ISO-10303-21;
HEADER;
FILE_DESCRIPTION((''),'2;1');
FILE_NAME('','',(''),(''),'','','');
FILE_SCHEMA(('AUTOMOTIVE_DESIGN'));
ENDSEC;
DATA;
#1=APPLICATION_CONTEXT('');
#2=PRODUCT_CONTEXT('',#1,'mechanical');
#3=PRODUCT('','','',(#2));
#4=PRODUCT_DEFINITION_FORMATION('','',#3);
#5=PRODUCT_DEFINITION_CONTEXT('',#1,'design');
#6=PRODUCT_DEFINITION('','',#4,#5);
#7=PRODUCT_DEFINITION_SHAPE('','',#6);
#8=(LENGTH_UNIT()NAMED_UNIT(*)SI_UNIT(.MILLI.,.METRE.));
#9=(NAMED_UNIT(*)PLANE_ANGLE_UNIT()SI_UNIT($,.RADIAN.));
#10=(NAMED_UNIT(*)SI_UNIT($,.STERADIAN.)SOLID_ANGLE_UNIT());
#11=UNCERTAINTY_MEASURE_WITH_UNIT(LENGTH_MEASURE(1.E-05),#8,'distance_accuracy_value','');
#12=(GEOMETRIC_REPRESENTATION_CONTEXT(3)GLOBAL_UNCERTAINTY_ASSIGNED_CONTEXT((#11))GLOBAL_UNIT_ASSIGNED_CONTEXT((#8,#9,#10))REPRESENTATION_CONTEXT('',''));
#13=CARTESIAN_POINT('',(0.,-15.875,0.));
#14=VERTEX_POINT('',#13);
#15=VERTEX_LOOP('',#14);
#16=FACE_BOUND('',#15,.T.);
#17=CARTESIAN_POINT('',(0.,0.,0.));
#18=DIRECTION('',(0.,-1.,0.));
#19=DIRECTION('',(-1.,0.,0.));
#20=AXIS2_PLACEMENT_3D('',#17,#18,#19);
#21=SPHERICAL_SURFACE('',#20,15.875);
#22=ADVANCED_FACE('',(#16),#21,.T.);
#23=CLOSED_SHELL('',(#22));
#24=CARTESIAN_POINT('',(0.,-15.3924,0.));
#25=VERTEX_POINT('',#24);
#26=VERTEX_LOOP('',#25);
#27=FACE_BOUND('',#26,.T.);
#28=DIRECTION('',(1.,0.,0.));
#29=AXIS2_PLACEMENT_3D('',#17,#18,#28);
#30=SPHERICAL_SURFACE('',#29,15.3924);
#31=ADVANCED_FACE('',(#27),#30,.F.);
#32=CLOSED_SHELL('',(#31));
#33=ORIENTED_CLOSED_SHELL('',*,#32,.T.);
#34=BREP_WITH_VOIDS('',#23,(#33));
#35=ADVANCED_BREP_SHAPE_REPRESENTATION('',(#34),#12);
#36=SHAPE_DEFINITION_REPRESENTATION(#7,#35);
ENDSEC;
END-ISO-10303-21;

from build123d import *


with BuildPart() as part:
    # Sketch2 → Revolve1 (revolve)
    with BuildSketch(Plane.XY):
        with BuildLine():
            Line((0, 15.875), (0, 15.3924))
            ThreePointArc((0, 15.3924), (15.3924, 0), (0, -15.3924))
            Line((0, -15.3924), (0, -15.875))
            ThreePointArc((0, -15.875), (15.875, 0), (0, 15.875))
        make_face()
    revolve(axis=Axis((0, -158.486323131, 0), (0, 1, 0)))


solid = part.part
